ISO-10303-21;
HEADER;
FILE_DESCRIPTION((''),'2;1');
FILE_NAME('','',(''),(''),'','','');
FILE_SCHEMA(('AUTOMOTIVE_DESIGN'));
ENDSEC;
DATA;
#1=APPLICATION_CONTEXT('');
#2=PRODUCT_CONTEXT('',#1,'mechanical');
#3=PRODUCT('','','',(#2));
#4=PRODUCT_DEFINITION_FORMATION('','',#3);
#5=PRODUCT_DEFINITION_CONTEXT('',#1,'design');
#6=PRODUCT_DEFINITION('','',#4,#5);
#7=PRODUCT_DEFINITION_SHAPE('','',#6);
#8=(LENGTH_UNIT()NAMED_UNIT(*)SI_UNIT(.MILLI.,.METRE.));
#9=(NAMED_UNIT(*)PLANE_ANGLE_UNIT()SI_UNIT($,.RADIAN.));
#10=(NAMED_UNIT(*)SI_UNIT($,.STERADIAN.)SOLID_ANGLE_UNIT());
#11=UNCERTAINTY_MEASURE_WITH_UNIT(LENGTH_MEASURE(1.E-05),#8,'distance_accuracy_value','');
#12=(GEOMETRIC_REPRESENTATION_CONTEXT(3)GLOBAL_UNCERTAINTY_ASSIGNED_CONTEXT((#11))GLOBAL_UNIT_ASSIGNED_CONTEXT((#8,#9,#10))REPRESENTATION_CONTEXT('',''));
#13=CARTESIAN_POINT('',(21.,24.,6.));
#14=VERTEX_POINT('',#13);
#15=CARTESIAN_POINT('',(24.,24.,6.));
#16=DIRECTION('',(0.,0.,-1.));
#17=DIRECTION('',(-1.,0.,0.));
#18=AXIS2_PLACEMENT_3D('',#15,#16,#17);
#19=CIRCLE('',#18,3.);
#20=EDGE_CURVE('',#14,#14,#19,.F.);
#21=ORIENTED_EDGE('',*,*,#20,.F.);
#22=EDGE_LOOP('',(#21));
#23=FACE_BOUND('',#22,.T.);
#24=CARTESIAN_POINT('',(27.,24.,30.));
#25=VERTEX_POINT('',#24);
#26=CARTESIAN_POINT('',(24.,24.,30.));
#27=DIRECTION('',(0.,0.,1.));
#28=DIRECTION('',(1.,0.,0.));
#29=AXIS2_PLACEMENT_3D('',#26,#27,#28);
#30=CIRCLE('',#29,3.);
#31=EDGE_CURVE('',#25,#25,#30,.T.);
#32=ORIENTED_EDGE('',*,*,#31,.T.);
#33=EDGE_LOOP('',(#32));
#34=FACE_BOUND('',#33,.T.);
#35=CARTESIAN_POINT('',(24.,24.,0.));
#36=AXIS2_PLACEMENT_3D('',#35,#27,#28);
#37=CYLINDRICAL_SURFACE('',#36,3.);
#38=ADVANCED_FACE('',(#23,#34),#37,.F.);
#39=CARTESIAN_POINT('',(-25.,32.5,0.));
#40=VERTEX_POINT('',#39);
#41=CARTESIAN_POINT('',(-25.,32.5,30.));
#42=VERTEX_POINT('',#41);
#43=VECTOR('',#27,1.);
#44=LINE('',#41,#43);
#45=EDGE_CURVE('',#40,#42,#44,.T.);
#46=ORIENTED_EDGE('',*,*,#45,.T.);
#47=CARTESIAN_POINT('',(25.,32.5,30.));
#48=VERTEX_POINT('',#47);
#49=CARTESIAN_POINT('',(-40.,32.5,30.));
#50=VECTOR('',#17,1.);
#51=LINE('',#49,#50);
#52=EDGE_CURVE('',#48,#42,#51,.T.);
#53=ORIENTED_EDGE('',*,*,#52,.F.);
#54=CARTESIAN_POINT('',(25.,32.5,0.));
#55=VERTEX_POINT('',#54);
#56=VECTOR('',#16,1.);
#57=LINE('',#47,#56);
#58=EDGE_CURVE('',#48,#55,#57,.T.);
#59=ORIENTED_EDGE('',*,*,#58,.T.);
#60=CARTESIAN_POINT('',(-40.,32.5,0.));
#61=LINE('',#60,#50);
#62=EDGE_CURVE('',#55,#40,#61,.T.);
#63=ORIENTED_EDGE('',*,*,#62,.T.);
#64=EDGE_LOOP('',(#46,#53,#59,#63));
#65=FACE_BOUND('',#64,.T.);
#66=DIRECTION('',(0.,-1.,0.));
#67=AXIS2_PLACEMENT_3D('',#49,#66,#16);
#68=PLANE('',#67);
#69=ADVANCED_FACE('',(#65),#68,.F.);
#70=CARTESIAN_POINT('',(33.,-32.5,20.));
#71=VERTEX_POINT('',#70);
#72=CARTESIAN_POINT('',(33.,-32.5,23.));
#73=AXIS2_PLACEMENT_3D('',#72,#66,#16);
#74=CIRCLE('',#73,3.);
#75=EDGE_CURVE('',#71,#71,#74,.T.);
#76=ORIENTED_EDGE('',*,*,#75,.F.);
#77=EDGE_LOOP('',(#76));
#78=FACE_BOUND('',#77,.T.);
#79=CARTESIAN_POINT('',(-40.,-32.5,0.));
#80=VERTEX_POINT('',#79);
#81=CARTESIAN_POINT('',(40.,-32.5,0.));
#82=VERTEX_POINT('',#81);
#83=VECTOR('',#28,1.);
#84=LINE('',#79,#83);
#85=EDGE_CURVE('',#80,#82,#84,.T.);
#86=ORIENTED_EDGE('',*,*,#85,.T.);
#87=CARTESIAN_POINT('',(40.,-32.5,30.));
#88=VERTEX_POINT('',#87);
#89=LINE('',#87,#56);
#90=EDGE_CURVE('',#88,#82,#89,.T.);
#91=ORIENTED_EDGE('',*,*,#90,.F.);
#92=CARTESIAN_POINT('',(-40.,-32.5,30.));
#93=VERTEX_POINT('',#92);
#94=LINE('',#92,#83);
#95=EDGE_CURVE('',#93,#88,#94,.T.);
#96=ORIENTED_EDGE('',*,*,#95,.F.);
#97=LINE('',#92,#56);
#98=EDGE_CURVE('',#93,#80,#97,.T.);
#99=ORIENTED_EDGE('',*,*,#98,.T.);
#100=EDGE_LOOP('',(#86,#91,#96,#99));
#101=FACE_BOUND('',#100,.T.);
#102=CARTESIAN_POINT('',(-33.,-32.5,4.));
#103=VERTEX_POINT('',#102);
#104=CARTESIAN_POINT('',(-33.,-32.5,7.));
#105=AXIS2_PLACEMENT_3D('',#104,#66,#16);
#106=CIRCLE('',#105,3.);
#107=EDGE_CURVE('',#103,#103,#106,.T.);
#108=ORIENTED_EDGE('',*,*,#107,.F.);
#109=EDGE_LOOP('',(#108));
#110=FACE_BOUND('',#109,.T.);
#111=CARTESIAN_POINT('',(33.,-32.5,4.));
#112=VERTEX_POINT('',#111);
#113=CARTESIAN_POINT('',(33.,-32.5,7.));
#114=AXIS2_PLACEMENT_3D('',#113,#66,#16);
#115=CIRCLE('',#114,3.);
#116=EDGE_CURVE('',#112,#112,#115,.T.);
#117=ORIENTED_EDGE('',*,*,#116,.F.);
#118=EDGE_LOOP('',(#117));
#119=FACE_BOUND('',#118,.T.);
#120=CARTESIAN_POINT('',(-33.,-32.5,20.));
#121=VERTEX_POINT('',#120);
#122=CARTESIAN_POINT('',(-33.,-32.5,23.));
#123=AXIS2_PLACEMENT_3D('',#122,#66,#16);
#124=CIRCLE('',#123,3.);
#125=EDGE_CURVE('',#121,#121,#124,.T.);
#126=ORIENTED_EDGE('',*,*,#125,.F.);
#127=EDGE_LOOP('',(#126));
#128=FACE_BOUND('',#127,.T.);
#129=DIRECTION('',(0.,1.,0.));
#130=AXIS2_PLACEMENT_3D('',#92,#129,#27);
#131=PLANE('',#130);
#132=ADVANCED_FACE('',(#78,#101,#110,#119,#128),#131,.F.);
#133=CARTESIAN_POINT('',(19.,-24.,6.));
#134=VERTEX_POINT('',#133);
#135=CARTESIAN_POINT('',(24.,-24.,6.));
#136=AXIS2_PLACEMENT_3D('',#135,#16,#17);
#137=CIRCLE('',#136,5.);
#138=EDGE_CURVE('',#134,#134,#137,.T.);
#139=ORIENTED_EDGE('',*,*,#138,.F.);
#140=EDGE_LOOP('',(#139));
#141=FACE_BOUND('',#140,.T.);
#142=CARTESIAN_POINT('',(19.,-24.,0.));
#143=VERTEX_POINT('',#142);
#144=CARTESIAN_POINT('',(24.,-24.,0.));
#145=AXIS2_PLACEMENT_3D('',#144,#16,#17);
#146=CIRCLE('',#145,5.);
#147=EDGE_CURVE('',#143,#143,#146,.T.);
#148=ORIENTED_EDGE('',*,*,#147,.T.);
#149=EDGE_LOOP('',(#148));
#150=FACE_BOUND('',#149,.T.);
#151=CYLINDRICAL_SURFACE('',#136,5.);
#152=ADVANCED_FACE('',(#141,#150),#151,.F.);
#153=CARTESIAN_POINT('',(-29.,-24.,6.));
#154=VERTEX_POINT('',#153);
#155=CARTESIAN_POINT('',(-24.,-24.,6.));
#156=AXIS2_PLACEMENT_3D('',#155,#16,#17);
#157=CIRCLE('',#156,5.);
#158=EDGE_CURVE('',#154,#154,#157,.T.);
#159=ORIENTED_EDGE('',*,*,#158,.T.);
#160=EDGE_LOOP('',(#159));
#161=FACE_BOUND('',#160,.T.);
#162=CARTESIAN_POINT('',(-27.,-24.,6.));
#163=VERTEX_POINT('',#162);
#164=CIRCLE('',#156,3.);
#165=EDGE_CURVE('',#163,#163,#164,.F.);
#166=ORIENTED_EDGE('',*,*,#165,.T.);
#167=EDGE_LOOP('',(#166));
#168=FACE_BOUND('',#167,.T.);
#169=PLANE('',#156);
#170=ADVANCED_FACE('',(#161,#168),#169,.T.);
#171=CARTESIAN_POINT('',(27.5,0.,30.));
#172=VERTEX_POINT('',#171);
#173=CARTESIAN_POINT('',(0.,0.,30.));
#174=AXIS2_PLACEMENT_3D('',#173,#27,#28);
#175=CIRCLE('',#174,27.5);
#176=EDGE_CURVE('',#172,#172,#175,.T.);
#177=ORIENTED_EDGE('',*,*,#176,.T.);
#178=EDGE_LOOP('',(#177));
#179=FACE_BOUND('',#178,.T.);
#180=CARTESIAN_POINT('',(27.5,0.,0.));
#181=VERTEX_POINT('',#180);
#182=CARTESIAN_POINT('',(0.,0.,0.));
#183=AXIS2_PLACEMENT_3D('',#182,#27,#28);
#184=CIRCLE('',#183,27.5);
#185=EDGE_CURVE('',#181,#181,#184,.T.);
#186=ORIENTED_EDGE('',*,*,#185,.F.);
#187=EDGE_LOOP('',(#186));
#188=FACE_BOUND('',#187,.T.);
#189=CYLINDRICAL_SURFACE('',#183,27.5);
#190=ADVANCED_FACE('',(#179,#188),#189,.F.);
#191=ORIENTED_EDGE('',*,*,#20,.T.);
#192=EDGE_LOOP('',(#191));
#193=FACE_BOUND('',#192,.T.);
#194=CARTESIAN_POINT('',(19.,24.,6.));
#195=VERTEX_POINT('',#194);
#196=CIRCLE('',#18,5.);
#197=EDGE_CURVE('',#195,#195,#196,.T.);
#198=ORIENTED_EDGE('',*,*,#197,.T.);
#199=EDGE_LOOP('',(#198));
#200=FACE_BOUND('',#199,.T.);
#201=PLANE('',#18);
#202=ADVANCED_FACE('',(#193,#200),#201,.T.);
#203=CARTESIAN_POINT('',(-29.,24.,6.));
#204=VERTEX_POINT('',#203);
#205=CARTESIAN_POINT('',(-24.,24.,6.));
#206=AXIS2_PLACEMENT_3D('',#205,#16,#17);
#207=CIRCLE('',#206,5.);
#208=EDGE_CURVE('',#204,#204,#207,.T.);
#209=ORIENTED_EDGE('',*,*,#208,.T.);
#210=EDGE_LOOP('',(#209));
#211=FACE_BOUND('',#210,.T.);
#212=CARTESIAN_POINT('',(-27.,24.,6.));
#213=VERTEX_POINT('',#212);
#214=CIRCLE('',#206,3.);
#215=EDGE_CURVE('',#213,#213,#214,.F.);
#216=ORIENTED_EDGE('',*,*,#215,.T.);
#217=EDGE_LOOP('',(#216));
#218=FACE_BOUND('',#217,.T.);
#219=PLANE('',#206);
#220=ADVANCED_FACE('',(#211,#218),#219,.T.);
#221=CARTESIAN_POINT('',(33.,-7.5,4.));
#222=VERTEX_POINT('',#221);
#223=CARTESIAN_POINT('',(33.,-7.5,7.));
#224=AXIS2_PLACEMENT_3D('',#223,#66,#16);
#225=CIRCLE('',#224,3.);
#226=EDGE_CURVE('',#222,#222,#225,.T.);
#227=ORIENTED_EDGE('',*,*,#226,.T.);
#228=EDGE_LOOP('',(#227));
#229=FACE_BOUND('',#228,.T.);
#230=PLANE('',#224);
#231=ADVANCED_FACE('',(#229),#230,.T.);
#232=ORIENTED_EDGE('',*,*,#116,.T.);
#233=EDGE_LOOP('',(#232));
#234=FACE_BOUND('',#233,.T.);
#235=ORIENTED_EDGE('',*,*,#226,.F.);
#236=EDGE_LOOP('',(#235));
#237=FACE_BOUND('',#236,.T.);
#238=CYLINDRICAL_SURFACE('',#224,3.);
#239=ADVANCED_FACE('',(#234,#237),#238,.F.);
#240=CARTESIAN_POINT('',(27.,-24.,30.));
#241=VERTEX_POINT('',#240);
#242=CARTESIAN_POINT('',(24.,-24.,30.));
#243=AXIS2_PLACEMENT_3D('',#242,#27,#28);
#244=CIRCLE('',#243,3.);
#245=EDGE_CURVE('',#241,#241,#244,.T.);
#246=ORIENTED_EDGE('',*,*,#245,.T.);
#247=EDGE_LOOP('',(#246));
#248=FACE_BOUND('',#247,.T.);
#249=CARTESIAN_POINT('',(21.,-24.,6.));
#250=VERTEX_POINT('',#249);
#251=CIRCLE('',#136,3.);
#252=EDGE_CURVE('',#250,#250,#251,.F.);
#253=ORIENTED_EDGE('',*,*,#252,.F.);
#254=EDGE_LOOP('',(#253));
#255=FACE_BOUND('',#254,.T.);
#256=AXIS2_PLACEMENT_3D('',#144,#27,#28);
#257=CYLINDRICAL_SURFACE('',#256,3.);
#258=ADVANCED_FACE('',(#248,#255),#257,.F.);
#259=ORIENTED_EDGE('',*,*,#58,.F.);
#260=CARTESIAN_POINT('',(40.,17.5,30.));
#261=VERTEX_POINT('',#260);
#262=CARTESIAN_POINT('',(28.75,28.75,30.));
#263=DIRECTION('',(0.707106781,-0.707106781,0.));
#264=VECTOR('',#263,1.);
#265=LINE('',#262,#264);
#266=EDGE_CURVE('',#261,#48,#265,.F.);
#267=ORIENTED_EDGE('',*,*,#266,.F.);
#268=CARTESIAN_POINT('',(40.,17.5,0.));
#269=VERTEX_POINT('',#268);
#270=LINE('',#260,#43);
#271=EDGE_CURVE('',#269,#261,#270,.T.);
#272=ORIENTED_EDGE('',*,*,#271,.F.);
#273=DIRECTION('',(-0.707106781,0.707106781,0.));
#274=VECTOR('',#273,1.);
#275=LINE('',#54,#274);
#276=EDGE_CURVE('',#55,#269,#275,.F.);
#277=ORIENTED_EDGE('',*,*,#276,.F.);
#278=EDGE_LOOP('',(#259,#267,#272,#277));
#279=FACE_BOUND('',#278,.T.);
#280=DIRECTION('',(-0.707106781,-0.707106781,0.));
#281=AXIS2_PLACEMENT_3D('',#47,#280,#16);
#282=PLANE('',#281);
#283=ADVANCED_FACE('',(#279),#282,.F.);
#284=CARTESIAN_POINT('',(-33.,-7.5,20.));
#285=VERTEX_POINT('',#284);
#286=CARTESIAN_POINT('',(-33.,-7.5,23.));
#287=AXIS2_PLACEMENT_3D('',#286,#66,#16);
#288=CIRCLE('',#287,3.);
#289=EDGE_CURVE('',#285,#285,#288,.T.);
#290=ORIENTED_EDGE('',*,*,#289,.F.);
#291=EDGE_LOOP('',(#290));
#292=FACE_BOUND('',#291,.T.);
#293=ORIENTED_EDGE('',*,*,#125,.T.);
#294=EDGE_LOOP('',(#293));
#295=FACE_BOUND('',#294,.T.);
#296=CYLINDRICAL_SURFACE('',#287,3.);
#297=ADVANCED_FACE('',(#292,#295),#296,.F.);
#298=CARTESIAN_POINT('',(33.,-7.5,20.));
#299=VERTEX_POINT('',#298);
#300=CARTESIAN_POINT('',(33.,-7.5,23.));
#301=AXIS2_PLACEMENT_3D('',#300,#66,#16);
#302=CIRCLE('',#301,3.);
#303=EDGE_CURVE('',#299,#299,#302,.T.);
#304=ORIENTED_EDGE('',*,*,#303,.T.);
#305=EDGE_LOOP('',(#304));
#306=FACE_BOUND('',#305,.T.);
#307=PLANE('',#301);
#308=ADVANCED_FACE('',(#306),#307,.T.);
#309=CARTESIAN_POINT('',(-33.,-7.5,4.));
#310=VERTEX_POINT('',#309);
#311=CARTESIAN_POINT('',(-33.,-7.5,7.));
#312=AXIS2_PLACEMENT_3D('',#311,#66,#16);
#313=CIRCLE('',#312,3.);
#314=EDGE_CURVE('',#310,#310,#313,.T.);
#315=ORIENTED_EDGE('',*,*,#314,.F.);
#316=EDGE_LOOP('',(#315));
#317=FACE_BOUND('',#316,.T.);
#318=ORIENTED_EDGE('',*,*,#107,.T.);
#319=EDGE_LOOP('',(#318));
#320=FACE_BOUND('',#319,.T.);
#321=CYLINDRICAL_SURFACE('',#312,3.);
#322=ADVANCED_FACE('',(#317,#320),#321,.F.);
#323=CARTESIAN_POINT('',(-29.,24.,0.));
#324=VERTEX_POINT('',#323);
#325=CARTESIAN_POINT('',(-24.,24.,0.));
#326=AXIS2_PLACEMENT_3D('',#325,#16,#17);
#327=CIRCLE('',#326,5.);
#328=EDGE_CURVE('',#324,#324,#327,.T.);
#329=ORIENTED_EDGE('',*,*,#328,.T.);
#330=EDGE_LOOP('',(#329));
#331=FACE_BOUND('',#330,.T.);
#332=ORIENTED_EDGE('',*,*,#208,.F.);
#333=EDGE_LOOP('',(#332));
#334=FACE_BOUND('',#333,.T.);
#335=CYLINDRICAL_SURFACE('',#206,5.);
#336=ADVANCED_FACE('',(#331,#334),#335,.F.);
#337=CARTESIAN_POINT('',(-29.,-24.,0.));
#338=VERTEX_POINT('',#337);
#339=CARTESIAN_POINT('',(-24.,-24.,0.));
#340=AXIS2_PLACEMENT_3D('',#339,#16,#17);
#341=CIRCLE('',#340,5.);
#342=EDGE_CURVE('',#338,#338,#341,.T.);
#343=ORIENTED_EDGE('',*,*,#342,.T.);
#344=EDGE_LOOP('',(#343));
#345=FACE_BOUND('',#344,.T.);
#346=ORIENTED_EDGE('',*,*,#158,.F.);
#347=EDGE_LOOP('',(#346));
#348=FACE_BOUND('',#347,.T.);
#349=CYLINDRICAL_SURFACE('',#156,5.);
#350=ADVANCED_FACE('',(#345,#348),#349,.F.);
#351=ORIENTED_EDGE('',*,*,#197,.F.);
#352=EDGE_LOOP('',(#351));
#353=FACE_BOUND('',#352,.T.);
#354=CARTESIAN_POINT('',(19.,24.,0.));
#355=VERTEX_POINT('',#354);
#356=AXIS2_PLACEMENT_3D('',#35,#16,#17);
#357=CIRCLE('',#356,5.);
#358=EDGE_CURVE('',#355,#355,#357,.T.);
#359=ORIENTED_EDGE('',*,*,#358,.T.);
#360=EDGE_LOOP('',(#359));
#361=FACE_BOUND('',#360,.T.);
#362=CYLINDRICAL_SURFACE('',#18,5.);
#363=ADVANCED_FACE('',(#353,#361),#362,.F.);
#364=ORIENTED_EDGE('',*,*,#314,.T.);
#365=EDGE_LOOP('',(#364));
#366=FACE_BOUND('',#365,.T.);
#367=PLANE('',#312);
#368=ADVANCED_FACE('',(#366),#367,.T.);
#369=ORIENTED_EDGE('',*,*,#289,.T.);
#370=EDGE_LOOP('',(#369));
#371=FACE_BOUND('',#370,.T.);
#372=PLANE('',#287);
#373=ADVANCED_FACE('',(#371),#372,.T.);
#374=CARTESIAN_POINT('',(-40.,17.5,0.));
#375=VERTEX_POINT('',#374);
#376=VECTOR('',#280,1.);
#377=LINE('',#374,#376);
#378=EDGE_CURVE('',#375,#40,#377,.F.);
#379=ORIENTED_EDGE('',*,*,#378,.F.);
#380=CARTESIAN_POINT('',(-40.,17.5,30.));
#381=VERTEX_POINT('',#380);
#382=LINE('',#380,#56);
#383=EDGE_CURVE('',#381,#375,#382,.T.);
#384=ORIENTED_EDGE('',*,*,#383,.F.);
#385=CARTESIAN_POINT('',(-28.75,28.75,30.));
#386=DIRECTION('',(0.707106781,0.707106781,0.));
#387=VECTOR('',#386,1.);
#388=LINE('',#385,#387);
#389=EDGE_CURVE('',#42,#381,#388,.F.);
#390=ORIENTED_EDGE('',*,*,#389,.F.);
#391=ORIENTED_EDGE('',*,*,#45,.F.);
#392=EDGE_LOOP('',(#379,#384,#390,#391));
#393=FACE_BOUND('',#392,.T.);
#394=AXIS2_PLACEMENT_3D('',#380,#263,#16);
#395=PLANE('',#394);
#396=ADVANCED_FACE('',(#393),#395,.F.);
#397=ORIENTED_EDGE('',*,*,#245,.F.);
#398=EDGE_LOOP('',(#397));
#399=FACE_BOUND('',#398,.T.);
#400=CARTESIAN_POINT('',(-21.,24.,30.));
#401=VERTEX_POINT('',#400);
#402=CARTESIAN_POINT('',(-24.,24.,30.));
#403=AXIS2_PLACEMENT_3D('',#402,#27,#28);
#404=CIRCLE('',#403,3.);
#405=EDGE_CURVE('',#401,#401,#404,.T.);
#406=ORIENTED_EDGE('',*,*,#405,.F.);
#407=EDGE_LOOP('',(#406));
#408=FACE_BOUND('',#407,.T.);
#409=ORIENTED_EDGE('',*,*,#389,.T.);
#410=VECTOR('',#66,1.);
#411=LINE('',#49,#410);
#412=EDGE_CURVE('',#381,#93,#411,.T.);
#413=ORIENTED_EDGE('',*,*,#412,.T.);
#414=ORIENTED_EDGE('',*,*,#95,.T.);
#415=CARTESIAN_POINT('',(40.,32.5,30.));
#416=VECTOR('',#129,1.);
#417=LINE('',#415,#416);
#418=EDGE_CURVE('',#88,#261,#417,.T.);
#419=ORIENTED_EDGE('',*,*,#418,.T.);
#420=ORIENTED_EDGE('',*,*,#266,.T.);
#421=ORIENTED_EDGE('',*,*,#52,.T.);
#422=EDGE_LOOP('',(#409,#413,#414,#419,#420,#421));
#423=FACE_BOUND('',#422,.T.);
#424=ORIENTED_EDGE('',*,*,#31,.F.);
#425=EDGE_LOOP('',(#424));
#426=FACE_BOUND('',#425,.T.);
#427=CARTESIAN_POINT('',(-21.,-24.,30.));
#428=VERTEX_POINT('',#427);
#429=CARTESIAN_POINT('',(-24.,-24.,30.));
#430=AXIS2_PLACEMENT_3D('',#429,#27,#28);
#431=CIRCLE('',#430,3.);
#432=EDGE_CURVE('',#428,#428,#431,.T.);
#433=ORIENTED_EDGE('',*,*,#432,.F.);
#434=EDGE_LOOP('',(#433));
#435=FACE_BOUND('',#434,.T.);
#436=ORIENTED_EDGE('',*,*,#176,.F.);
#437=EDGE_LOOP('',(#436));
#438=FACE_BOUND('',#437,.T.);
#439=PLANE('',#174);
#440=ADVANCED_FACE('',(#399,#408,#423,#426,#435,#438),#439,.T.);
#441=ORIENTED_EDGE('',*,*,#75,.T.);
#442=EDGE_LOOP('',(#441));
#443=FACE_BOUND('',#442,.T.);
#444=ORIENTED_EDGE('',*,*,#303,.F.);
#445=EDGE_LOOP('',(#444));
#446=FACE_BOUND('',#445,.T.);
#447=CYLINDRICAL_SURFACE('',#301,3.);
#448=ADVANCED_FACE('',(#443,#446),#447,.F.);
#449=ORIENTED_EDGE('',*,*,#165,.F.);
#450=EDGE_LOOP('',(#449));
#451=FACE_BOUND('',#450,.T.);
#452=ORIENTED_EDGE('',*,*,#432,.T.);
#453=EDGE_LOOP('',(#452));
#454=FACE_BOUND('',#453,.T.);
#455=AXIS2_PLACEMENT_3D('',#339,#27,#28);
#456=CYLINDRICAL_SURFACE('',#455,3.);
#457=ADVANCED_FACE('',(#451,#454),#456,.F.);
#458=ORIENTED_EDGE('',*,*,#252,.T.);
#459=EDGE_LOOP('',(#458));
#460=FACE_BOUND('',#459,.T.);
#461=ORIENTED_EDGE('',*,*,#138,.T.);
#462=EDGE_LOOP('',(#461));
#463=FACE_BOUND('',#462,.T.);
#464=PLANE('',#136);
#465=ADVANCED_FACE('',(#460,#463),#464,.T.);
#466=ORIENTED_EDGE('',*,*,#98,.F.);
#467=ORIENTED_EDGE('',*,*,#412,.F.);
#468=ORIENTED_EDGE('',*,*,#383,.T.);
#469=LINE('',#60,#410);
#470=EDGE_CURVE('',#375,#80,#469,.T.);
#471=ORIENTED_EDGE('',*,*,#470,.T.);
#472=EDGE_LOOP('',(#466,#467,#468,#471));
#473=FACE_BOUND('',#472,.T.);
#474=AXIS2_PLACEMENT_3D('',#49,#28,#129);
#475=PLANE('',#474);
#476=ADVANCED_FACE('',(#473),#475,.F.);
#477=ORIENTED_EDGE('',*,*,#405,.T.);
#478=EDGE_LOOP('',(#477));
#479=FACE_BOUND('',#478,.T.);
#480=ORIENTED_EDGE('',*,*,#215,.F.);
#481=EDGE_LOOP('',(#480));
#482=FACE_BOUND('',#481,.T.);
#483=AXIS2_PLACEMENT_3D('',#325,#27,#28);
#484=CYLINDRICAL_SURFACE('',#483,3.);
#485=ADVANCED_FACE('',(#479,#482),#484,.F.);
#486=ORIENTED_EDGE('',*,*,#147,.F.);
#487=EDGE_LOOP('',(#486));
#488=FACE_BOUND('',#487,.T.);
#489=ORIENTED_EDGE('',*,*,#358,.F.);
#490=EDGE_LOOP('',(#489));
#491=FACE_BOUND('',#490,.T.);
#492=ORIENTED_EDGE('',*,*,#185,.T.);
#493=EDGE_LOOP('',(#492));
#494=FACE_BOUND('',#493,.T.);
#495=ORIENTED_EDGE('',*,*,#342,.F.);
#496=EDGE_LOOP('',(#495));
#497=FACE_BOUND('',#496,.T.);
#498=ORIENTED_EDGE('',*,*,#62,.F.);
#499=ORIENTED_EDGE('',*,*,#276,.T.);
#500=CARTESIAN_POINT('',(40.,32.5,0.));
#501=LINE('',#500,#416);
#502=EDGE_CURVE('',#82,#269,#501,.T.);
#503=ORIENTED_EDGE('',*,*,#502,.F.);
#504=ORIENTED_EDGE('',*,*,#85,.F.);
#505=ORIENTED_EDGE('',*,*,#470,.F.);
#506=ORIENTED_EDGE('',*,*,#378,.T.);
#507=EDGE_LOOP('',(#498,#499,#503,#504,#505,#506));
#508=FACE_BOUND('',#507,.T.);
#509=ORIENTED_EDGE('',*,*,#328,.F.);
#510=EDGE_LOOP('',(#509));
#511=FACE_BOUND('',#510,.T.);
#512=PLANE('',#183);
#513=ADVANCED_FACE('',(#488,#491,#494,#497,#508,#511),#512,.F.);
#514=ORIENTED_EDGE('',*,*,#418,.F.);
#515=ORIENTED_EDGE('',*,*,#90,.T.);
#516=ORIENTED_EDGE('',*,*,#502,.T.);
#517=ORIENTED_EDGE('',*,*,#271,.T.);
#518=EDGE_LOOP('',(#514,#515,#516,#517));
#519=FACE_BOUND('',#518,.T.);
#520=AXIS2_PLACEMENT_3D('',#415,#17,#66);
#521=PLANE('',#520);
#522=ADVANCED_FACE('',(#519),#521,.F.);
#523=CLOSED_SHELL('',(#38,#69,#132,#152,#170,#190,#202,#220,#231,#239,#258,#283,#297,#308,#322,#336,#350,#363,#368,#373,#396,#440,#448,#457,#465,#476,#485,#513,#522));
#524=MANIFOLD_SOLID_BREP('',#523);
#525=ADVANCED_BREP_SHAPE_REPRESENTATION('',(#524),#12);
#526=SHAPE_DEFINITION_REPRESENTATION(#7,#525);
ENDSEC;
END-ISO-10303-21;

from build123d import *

# Parameters (mm, degrees)
SZKIC1_W                    = 80
SZKIC1_H                    = 65
DODANIE_WYCI_GNI_CIE1_DEPTH = 30
SZKIC2_R                    = 27.5
WYTNIJ_WYCI_GNI_CIE1_DEPTH  = 30
SZKIC4_R                    = 3
WYTNIJ_WYCI_GNI_CIE2_DEPTH  = 30
SFAZOWANIE1_SIZE            = 15
SZKIC6_R                    = 3
WYTNIJ_WYCI_GNI_CIE3_DEPTH  = 25
SZKIC8_R                    = 5
WYTNIJ_WYCI_GNI_CIE5_DEPTH  = 6


with BuildPart() as part:
    # Szkic1 → Dodanie-wyciągnięcie1 (new body)
    with BuildSketch(Plane.XY):
        Rectangle(SZKIC1_W, SZKIC1_H)
    extrude(amount=DODANIE_WYCI_GNI_CIE1_DEPTH)

    # Szkic2 → Wytnij-wyciągnięcie1 (cut)
    with BuildSketch(Plane.XY.offset(30)):
        Circle(SZKIC2_R)
    extrude(amount=-WYTNIJ_WYCI_GNI_CIE1_DEPTH, mode=Mode.SUBTRACT)

    # Szkic4 → Wytnij-wyciągnięcie2 (cut)
    with BuildSketch(Plane.XY.offset(30)):
        with Locations((-24, 24)):
            Circle(SZKIC4_R)
        with Locations((24, 24)):
            Circle(SZKIC4_R)
        with Locations((-24, -24)):
            Circle(SZKIC4_R)
        with Locations((24, -24)):
            Circle(SZKIC4_R)
    extrude(amount=-WYTNIJ_WYCI_GNI_CIE2_DEPTH, mode=Mode.SUBTRACT)

    # Sfazowanie1
    sfazowanie1_edges = [part.edges().sort_by_distance(p)[0] for p in [
        (-40, 32.5, 15),
        (40, 32.5, 15),
    ]]
    chamfer(sfazowanie1_edges, length=SFAZOWANIE1_SIZE)

    # Szkic6 → Wytnij-wyciągnięcie3 (cut)
    with BuildSketch(Plane.XZ.offset(32.5)):
        with Locations((-33, 23)):
            Circle(SZKIC6_R)
        with Locations((33, 23)):
            Circle(SZKIC6_R)
        with Locations((33, 7)):
            Circle(SZKIC6_R)
        with Locations((-33, 7)):
            Circle(SZKIC6_R)
    extrude(amount=-WYTNIJ_WYCI_GNI_CIE3_DEPTH, mode=Mode.SUBTRACT)

    # Szkic8 → Wytnij-wyciągnięcie5 (cut)
    with BuildSketch(Plane(origin=(0, 0, 0), x_dir=(-1, 0, 0), z_dir=(0, 0, -1))):
        with Locations((24, -24)):
            Circle(SZKIC8_R)
        with Locations((-24, -24)):
            Circle(SZKIC8_R)
        with Locations((-24, 24)):
            Circle(SZKIC8_R)
        with Locations((24, 24)):
            Circle(SZKIC8_R)
    extrude(amount=-WYTNIJ_WYCI_GNI_CIE5_DEPTH, mode=Mode.SUBTRACT)


solid = part.part
